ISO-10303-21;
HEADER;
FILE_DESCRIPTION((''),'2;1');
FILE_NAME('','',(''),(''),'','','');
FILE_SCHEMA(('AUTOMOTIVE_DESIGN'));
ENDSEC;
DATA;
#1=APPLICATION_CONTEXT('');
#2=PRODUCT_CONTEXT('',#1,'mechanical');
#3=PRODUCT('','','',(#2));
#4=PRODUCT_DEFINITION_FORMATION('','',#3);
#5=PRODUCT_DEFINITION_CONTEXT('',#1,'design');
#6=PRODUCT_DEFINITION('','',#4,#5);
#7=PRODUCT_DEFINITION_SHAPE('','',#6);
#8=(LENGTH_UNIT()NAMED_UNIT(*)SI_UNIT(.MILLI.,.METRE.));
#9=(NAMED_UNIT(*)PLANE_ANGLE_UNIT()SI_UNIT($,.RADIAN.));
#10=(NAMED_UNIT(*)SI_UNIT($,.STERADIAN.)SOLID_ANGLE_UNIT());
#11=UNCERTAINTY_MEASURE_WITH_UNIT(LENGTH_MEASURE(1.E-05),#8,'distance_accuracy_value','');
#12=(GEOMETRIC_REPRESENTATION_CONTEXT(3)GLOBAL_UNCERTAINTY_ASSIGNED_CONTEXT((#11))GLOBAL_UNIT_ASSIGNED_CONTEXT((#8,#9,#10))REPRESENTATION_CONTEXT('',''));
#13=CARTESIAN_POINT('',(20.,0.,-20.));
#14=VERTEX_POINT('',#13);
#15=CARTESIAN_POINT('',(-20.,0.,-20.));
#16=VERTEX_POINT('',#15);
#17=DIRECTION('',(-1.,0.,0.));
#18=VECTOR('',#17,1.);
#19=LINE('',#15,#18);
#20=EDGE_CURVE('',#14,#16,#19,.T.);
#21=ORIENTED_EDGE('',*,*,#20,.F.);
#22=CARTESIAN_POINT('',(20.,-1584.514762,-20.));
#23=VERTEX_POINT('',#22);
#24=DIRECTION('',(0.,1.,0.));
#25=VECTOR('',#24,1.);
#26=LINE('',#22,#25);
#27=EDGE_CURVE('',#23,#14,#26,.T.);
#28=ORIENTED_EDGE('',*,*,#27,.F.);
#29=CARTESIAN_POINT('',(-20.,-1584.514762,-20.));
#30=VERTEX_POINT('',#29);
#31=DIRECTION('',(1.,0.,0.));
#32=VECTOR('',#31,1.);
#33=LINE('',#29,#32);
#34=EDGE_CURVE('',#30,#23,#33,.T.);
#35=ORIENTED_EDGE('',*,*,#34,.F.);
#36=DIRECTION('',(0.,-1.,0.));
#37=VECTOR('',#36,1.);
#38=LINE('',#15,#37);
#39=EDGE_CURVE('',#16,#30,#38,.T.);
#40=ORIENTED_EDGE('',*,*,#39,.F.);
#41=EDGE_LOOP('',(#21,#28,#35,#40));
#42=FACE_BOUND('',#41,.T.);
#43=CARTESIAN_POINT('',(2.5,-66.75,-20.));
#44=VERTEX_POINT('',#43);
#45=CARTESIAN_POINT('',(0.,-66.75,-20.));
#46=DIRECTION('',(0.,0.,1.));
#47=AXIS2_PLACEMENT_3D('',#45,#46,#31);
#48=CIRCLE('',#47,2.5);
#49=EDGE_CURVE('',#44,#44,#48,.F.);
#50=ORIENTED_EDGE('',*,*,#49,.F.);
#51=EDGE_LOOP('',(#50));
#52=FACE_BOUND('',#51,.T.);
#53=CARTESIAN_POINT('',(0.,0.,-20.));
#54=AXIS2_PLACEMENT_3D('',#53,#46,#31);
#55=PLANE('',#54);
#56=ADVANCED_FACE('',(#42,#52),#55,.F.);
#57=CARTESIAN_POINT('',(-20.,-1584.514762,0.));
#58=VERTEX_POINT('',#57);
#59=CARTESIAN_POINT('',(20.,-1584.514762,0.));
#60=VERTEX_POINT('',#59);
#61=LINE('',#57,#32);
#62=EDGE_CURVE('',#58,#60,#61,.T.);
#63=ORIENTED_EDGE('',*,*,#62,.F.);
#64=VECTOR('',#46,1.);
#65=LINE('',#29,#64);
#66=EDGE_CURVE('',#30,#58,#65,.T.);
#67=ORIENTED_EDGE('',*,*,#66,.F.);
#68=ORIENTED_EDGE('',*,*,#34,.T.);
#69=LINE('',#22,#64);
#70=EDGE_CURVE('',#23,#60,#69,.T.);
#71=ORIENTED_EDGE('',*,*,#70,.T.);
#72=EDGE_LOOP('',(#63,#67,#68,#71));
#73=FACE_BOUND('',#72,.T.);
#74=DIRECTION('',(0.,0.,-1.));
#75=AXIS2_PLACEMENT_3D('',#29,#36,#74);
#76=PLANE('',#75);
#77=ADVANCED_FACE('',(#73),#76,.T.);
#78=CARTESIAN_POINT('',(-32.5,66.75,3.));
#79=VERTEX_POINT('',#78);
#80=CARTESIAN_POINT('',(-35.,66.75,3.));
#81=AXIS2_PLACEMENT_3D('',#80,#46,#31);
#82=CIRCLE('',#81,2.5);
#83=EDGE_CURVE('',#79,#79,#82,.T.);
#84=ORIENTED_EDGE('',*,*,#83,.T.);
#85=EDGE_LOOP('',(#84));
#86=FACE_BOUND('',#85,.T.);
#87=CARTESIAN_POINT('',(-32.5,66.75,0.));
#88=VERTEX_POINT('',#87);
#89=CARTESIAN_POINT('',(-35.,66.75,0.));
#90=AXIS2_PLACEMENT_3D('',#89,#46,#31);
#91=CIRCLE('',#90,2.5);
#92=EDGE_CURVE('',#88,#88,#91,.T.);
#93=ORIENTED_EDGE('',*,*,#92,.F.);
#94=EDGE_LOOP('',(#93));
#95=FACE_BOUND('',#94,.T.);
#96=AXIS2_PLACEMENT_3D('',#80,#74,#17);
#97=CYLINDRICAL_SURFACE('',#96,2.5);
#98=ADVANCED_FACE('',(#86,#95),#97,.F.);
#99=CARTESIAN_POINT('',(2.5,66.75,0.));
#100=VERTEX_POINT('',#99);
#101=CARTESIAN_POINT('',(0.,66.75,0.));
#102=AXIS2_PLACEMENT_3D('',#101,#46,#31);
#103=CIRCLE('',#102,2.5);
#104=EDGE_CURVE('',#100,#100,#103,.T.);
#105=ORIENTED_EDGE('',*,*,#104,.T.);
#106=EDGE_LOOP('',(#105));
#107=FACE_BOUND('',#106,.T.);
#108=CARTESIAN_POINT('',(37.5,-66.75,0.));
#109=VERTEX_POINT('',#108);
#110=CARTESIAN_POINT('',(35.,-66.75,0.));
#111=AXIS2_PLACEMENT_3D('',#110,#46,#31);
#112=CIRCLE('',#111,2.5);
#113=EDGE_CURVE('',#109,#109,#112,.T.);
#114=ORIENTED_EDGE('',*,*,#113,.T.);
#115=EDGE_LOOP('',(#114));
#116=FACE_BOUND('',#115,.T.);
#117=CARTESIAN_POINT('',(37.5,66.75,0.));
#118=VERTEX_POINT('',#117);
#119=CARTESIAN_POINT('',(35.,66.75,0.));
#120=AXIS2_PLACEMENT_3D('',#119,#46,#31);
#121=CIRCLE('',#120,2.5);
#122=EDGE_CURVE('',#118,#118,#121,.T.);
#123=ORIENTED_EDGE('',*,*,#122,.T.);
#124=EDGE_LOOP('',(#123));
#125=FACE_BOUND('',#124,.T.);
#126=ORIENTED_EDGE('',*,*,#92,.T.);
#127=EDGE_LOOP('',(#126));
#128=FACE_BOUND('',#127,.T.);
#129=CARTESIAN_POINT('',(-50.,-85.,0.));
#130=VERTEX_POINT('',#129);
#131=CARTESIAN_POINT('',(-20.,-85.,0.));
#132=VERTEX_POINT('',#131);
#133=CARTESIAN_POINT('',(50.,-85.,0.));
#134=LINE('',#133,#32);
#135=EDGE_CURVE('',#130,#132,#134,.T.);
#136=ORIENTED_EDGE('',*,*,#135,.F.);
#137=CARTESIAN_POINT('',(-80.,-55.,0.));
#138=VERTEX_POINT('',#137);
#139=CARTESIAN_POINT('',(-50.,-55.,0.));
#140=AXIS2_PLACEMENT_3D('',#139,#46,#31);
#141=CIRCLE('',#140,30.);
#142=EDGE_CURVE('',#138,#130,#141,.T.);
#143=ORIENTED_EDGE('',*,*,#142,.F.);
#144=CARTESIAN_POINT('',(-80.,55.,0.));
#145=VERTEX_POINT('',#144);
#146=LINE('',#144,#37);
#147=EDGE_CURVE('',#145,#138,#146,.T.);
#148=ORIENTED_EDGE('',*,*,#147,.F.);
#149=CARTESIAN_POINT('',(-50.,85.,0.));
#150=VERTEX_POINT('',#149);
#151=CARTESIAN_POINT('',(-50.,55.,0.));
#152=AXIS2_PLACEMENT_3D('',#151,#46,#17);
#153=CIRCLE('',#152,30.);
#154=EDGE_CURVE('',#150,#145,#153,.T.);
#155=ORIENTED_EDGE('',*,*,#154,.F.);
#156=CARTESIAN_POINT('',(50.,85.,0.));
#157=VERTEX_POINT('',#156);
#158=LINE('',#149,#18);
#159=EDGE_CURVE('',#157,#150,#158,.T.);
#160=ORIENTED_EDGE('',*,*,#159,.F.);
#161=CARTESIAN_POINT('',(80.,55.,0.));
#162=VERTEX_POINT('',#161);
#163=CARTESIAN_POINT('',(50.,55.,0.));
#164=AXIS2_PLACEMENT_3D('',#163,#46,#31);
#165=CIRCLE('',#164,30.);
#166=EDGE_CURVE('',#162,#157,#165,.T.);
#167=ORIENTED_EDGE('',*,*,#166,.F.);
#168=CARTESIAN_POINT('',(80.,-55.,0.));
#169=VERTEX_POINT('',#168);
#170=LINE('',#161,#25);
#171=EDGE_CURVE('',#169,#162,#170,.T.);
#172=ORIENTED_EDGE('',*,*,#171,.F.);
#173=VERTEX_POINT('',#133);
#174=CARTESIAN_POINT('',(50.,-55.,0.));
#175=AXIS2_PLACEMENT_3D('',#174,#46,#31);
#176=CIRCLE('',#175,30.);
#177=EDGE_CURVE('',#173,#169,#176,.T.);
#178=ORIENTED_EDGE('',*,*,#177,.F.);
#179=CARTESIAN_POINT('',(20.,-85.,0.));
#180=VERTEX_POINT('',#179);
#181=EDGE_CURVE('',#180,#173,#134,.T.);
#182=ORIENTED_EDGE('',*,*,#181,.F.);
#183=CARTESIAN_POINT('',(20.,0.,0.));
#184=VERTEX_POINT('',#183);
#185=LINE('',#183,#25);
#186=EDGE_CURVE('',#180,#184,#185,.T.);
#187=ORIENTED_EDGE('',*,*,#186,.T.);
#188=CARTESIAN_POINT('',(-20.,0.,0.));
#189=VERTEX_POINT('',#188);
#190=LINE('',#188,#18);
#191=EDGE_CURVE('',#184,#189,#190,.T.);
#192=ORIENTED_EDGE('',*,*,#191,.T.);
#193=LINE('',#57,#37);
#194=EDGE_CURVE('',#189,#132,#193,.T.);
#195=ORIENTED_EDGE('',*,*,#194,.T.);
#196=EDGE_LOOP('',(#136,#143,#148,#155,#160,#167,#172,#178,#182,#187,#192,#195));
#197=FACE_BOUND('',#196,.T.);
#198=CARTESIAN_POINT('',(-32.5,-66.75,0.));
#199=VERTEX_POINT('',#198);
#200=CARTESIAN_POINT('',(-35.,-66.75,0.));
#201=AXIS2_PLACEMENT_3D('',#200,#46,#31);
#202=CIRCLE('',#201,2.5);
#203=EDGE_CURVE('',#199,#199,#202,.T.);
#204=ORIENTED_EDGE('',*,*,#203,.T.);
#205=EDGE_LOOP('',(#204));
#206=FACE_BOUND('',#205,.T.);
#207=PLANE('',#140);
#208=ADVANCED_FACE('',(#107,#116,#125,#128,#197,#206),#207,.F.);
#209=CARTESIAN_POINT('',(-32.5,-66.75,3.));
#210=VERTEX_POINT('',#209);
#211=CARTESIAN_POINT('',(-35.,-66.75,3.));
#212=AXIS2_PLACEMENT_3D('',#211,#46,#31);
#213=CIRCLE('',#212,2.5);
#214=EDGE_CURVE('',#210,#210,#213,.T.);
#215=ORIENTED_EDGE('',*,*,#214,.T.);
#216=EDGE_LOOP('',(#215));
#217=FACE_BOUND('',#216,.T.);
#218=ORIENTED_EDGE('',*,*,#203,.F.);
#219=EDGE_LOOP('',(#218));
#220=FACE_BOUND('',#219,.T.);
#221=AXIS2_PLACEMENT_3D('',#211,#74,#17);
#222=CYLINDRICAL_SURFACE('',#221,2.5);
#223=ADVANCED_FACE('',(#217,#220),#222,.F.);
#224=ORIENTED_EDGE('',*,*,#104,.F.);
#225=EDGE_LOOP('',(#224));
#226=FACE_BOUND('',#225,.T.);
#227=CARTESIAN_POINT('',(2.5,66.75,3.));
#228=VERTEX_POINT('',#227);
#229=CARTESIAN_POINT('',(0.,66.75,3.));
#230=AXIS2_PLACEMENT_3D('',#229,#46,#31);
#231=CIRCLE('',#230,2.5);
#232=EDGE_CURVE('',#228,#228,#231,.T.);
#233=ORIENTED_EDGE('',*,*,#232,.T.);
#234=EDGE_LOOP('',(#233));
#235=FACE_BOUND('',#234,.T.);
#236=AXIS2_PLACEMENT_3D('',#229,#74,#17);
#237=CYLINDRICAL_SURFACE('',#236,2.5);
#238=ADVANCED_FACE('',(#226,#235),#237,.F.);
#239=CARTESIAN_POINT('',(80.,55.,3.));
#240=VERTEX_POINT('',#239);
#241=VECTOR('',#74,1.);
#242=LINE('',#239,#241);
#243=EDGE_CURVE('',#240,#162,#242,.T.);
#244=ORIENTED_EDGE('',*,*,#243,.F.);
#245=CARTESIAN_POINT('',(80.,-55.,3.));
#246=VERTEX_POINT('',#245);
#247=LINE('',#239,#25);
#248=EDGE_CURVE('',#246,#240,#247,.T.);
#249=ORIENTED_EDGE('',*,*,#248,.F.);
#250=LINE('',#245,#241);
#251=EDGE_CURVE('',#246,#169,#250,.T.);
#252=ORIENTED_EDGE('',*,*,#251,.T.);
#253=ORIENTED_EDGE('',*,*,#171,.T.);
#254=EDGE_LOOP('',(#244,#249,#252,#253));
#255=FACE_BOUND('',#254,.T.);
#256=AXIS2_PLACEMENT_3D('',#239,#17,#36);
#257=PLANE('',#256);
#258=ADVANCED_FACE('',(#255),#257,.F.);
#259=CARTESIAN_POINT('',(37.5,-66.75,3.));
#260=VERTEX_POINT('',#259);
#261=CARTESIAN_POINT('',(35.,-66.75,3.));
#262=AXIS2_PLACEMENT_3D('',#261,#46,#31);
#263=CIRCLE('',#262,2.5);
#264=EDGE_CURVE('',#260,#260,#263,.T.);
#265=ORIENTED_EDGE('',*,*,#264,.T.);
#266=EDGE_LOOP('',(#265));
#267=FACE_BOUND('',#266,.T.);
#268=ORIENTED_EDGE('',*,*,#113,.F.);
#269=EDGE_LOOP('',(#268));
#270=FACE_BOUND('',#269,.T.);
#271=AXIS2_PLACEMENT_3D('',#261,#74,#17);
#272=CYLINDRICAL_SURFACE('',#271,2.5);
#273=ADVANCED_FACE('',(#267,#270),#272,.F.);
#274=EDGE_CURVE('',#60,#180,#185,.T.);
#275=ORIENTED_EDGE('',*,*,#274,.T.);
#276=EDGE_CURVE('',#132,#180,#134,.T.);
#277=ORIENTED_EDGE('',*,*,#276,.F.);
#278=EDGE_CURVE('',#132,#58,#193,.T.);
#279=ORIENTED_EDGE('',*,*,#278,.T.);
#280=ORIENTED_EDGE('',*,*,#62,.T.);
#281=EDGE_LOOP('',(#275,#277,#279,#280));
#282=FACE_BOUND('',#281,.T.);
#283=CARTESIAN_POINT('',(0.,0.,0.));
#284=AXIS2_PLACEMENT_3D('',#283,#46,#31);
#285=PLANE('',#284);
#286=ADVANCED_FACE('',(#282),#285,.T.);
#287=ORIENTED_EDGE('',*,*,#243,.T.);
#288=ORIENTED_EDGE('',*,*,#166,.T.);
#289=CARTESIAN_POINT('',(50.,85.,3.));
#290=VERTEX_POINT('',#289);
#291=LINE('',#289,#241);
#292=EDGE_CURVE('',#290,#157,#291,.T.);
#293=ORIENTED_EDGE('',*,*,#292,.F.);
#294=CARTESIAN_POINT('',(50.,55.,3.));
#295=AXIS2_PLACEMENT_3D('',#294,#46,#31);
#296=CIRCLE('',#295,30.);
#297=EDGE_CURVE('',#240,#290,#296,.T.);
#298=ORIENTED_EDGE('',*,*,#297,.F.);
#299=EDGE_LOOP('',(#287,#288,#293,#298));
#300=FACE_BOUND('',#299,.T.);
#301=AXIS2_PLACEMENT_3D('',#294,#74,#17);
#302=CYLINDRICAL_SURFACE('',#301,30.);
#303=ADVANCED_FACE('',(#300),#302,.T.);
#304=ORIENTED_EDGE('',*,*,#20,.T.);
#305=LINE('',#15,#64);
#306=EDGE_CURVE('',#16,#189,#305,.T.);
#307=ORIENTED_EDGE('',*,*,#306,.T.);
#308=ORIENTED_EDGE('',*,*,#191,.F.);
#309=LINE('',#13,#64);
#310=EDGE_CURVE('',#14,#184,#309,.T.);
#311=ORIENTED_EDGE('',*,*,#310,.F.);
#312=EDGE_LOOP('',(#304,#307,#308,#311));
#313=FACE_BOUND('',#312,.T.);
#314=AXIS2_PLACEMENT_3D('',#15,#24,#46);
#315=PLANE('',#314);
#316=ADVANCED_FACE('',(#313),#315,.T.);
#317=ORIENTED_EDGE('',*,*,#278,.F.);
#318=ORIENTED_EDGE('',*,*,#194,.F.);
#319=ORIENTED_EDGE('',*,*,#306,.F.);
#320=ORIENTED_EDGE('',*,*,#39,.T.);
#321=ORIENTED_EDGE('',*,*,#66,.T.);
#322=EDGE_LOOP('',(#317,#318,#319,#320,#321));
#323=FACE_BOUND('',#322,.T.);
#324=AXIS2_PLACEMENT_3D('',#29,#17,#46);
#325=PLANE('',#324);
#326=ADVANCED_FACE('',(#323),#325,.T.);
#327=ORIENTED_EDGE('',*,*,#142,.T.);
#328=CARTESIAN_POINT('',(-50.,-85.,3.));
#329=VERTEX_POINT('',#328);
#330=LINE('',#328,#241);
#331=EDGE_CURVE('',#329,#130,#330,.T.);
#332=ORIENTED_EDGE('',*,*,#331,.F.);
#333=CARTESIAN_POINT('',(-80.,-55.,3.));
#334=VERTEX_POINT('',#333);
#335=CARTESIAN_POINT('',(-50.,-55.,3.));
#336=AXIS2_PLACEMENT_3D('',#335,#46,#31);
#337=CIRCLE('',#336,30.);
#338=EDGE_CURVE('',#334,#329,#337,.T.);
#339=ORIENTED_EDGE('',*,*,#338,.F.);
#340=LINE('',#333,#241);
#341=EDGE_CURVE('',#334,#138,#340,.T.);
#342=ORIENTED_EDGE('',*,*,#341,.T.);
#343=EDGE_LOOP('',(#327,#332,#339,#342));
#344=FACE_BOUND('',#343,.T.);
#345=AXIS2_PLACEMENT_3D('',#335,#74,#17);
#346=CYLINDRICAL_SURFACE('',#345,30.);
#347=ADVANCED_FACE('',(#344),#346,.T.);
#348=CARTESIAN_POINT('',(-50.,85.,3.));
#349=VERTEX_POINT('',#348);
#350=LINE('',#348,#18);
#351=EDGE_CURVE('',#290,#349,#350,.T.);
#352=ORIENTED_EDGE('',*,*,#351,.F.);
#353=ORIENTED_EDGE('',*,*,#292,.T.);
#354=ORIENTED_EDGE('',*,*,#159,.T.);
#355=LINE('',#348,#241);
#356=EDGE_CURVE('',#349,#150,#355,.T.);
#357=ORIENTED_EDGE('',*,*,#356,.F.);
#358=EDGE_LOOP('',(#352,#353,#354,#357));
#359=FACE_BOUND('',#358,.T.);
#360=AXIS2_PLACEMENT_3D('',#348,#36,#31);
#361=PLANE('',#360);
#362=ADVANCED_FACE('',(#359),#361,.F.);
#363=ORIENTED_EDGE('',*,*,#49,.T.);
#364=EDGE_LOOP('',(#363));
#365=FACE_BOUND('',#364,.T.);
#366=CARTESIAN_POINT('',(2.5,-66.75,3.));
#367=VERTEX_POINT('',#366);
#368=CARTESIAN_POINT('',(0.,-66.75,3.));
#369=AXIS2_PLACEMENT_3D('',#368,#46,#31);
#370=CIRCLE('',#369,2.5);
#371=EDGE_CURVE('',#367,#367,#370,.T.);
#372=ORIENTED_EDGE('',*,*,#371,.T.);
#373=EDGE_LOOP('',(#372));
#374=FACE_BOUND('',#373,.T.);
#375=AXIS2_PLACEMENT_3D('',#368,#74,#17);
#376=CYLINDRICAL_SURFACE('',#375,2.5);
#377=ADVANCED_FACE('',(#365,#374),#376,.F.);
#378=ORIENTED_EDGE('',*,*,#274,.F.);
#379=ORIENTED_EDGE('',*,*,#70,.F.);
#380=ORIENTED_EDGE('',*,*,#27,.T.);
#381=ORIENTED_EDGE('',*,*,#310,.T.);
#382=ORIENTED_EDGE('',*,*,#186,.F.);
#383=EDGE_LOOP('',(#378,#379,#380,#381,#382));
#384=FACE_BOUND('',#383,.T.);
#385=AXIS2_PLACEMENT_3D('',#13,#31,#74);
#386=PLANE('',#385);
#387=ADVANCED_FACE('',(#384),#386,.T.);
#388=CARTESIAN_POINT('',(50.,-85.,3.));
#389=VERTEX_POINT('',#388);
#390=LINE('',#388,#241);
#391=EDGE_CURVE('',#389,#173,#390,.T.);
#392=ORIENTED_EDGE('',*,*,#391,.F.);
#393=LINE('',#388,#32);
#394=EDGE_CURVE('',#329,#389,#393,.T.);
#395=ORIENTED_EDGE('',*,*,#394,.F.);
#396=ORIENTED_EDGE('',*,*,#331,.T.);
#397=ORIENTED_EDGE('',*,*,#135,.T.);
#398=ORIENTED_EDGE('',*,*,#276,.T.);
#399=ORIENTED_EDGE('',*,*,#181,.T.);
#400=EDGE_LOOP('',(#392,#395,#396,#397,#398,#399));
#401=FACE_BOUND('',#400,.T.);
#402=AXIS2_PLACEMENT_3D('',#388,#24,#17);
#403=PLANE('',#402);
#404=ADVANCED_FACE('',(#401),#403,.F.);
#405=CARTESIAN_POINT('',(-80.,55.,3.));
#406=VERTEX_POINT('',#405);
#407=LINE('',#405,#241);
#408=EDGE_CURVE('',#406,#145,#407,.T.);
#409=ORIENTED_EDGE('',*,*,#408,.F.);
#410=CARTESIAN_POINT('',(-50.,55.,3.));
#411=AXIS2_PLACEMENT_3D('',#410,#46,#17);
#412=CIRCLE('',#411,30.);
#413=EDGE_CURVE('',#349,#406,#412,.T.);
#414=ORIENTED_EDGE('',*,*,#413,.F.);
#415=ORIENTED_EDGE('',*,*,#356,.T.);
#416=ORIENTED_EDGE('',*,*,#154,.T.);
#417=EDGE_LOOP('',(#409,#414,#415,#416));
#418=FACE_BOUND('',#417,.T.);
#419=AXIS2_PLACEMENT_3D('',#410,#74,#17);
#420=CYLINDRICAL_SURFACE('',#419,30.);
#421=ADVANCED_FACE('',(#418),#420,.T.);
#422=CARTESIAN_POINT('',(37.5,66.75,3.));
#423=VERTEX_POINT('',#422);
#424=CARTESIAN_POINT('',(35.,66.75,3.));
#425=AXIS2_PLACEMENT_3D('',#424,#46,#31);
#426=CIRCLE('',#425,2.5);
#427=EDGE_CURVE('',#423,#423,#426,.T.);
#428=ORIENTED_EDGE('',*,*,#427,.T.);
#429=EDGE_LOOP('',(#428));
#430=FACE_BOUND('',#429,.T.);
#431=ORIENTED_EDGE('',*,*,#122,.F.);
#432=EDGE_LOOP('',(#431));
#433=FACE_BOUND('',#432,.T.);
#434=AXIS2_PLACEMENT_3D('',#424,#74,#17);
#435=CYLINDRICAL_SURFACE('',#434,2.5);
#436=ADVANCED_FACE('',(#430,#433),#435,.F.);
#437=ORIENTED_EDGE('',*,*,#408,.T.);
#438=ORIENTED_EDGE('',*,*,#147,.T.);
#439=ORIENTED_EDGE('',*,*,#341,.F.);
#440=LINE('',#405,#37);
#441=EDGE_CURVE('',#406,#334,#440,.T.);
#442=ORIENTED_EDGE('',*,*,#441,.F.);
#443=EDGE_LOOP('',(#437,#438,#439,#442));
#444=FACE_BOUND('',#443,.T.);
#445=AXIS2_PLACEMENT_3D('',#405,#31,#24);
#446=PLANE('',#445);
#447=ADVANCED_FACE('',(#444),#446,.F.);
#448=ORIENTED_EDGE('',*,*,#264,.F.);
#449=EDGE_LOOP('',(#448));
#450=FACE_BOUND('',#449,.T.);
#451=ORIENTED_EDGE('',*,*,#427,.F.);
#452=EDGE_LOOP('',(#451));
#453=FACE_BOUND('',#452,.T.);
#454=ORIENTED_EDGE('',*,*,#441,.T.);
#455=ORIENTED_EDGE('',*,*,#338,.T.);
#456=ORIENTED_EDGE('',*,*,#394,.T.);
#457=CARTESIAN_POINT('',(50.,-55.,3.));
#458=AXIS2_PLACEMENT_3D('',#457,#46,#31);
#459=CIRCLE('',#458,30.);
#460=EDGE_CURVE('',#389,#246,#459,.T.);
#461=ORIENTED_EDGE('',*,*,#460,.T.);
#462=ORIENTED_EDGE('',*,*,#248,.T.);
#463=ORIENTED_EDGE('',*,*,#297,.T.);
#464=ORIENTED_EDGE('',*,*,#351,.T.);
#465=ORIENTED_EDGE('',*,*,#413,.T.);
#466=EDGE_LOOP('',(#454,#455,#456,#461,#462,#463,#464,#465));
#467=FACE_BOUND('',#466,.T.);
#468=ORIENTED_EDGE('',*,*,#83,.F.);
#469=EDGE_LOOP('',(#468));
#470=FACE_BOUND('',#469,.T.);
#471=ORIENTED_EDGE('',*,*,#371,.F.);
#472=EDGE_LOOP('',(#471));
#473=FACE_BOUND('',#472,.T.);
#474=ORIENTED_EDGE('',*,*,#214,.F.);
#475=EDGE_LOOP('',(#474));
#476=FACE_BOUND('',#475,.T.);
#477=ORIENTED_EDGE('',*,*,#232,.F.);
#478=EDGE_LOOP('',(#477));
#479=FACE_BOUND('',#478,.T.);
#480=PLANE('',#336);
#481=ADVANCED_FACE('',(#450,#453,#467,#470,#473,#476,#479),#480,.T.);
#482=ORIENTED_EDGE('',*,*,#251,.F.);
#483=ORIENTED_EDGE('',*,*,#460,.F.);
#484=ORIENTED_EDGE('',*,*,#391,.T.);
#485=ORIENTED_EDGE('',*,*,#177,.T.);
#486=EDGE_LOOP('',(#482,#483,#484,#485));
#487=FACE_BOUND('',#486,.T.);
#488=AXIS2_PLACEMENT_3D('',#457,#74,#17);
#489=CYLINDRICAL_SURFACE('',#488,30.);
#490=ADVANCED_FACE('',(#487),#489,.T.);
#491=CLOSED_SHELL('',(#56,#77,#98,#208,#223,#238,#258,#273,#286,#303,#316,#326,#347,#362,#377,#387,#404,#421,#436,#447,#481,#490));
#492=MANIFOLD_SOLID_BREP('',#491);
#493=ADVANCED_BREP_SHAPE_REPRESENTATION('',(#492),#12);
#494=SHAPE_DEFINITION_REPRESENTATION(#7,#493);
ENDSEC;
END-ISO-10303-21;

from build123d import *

# Parameters (mm, degrees)
CROQUIS1_R                 = 2.5
SALIENTE_EXTRUIR1_DEPTH    = 3
SALIENTE_EXTRUIR2_DEPTH    = 20
CORTAR_EXTRUIR1_DEPTH      = 99
CORTAR_EXTRUIR1_DEPTH_BACK = 71
CROQUIS3_R                 = 2.5


with BuildPart() as part:
    # Croquis1 → Saliente-Extruir1 (new body)
    with BuildSketch(Plane.XY):
        with BuildLine():
            Line((-50, 85), (50, 85))
            ThreePointArc((50, 85), (71.213203436, 76.213203436), (80, 55))
            Line((80, 55), (80, -55))
            ThreePointArc((80, -55), (71.213203436, -76.213203436), (50, -85))
            Line((50, -85), (-50, -85))
            ThreePointArc((-50, -85), (-71.213203436, -76.213203436), (-80, -55))
            Line((-80, -55), (-80, 55))
            ThreePointArc((-80, 55), (-71.213203436, 76.213203436), (-50, 85))
        make_face()
        with Locations((0, -66.75)):
            Circle(CROQUIS1_R, mode=Mode.SUBTRACT)
        with Locations((0, 66.75)):
            Circle(CROQUIS1_R, mode=Mode.SUBTRACT)
        with Locations((-35, 66.75)):
            Circle(CROQUIS1_R, mode=Mode.SUBTRACT)
        with Locations((35, 66.75)):
            Circle(CROQUIS1_R, mode=Mode.SUBTRACT)
        with Locations((-35, -66.75)):
            Circle(CROQUIS1_R, mode=Mode.SUBTRACT)
        with Locations((35, -66.75)):
            Circle(CROQUIS1_R, mode=Mode.SUBTRACT)
    extrude(amount=SALIENTE_EXTRUIR1_DEPTH)

    # Croquis2 → Saliente-Extruir2 (add)
    with BuildSketch(Plane.XY):
        Polygon((-20, 0), (20, 0), (20, -665), (20, -1584.514762196), (-20, -1584.514762196), (-20, -665), align=None)
    extrude(amount=-SALIENTE_EXTRUIR2_DEPTH)

    # Croquis3 → Cortar-Extruir1 (cut, two sides: drawn at the far end of the back side and taken through both)
    with BuildSketch(Plane.XY.offset(-CORTAR_EXTRUIR1_DEPTH_BACK)):
        with Locations((0, -66.75)):
            Circle(CROQUIS3_R)
    extrude(amount=CORTAR_EXTRUIR1_DEPTH + CORTAR_EXTRUIR1_DEPTH_BACK, mode=Mode.SUBTRACT)


solid = part.part
